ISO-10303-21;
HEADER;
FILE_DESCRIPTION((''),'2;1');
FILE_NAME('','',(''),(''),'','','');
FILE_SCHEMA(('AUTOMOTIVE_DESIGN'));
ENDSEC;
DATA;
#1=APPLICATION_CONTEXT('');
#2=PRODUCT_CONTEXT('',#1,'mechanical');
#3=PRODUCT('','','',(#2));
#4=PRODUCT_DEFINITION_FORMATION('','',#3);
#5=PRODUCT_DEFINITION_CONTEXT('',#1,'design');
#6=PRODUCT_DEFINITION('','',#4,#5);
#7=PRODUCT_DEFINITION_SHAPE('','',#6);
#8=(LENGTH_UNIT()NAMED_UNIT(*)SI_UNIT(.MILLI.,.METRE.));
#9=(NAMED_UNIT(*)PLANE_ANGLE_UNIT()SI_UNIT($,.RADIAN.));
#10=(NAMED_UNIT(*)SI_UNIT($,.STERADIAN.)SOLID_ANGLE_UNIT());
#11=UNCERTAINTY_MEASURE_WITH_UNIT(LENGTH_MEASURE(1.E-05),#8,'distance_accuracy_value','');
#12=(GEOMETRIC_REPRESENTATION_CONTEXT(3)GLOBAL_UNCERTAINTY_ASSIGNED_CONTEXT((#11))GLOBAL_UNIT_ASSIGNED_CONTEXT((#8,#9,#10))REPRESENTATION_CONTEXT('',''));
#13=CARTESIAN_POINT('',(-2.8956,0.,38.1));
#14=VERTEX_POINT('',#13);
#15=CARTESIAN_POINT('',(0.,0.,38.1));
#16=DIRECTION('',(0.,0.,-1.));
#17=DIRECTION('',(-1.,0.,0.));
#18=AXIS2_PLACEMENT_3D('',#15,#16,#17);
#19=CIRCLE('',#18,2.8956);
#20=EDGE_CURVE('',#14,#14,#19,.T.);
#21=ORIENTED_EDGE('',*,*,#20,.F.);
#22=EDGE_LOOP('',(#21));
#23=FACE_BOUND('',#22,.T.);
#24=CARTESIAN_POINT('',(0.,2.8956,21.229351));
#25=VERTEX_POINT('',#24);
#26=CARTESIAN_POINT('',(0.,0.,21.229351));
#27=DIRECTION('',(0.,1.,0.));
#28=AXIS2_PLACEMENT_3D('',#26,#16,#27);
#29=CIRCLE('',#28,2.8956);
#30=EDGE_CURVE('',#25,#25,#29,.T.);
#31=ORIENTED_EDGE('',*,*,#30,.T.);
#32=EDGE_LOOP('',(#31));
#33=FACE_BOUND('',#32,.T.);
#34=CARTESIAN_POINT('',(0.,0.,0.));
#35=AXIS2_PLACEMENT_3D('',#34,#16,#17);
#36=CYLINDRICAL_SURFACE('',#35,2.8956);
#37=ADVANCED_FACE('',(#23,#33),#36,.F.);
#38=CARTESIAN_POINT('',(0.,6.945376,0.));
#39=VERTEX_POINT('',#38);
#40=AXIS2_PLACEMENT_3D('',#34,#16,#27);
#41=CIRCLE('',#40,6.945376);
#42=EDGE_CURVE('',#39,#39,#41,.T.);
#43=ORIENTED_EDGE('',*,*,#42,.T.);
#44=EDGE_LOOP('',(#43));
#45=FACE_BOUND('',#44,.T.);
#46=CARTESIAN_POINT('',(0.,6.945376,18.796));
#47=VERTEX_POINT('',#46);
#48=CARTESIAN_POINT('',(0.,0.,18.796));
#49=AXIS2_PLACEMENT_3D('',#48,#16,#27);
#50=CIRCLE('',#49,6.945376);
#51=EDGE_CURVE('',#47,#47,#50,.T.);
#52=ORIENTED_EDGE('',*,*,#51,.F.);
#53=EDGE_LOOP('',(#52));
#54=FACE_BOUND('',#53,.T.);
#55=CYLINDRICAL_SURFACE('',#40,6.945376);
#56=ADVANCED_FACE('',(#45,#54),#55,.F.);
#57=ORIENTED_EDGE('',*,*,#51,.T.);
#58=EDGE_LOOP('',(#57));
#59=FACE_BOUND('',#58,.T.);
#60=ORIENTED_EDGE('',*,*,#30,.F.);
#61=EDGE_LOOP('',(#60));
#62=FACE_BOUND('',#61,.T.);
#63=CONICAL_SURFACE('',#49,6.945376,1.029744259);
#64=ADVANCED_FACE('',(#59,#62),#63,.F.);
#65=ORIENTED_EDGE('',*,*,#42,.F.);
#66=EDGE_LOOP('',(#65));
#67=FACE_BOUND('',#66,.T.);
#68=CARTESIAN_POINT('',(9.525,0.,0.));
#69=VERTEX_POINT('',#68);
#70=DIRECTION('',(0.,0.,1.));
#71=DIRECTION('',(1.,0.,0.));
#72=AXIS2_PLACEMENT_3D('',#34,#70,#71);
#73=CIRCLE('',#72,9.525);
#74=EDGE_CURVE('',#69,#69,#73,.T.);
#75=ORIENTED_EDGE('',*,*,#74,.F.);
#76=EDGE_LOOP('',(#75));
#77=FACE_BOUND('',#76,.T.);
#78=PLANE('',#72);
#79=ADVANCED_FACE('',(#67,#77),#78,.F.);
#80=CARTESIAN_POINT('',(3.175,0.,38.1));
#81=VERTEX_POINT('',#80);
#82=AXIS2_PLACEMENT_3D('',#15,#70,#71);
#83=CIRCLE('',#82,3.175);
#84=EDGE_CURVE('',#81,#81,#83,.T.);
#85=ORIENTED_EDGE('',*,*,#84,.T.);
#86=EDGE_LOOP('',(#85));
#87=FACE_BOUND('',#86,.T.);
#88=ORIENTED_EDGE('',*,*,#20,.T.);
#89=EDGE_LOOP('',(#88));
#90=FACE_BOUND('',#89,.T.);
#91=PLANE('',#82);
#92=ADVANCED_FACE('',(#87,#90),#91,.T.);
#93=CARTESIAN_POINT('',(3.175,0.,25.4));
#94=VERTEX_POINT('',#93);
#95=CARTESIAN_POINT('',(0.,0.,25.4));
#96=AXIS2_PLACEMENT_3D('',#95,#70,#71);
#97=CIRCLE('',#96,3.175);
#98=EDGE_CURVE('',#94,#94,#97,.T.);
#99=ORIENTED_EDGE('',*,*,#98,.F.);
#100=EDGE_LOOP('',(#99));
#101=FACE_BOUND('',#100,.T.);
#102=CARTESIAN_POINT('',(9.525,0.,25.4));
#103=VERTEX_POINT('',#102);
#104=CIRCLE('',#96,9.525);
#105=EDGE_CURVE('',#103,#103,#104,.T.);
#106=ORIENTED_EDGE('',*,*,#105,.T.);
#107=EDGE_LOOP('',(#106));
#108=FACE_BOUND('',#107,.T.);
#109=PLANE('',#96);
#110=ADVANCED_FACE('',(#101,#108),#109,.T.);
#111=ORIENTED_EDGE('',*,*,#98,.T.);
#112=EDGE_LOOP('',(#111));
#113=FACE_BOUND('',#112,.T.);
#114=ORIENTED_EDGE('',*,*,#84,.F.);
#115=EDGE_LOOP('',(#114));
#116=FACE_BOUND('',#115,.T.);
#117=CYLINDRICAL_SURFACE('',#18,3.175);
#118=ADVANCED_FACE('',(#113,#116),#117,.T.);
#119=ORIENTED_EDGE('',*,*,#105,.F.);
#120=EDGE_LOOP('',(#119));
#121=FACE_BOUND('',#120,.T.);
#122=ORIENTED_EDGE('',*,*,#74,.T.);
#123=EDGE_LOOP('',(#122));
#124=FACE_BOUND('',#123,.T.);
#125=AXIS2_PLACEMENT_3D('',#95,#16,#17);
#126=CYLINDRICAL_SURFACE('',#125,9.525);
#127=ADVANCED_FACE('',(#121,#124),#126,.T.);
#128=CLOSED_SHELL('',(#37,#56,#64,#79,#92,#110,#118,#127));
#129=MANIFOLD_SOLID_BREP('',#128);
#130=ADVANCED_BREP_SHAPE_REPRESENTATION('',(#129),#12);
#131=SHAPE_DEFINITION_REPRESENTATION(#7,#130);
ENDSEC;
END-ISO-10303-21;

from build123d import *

# Parameters (mm, degrees)
SKETCH1_R                            = 9.525
BOSS_EXTRUDE1_DEPTH                  = 25.4
SKETCH2_R                            = 3.175
BOSS_EXTRUDE2_DEPTH                  = 12.7
F_1_0_228_DIAMETER_HOLE1_D           = 5.7912
F_35_64_0_54688_DIAMETER_HOLE1_D     = 13.890752
F_35_64_0_54688_DIAMETER_HOLE1_DEPTH = 18.796
F_35_64_0_54688_DIAMETER_HOLE1_TIP   = 4.173202923


with BuildPart() as part:
    # Sketch1 → Boss-Extrude1 (new body)
    with BuildSketch(Plane.XY):
        Circle(SKETCH1_R)
    extrude(amount=BOSS_EXTRUDE1_DEPTH)

    # Sketch2 → Boss-Extrude2 (add)
    with BuildSketch(Plane.XY.offset(25.4)):
        Circle(SKETCH2_R)
    extrude(amount=BOSS_EXTRUDE2_DEPTH)

    # #1 (0.228) Diameter Hole1 (through all)
    with Locations(Plane(origin=(0, 0, 0), x_dir=(-1, 0, 0), z_dir=(0, 0, -1))):
        with Locations((0, 0)):
            Hole(F_1_0_228_DIAMETER_HOLE1_D / 2)

    # 35/64 (0.54688) Diameter Hole1
    with Locations(Plane(origin=(0, 0, 0), x_dir=(-1, 0, 0), z_dir=(0, 0, -1))):
        with Locations((0, 0)):
            Hole(F_35_64_0_54688_DIAMETER_HOLE1_D / 2, depth=F_35_64_0_54688_DIAMETER_HOLE1_DEPTH)
            with Locations((0, 0, -(F_35_64_0_54688_DIAMETER_HOLE1_DEPTH + F_35_64_0_54688_DIAMETER_HOLE1_TIP / 2))):  # 118° drill point
                Cone(0, F_35_64_0_54688_DIAMETER_HOLE1_D / 2, F_35_64_0_54688_DIAMETER_HOLE1_TIP, mode=Mode.SUBTRACT)


solid = part.part
